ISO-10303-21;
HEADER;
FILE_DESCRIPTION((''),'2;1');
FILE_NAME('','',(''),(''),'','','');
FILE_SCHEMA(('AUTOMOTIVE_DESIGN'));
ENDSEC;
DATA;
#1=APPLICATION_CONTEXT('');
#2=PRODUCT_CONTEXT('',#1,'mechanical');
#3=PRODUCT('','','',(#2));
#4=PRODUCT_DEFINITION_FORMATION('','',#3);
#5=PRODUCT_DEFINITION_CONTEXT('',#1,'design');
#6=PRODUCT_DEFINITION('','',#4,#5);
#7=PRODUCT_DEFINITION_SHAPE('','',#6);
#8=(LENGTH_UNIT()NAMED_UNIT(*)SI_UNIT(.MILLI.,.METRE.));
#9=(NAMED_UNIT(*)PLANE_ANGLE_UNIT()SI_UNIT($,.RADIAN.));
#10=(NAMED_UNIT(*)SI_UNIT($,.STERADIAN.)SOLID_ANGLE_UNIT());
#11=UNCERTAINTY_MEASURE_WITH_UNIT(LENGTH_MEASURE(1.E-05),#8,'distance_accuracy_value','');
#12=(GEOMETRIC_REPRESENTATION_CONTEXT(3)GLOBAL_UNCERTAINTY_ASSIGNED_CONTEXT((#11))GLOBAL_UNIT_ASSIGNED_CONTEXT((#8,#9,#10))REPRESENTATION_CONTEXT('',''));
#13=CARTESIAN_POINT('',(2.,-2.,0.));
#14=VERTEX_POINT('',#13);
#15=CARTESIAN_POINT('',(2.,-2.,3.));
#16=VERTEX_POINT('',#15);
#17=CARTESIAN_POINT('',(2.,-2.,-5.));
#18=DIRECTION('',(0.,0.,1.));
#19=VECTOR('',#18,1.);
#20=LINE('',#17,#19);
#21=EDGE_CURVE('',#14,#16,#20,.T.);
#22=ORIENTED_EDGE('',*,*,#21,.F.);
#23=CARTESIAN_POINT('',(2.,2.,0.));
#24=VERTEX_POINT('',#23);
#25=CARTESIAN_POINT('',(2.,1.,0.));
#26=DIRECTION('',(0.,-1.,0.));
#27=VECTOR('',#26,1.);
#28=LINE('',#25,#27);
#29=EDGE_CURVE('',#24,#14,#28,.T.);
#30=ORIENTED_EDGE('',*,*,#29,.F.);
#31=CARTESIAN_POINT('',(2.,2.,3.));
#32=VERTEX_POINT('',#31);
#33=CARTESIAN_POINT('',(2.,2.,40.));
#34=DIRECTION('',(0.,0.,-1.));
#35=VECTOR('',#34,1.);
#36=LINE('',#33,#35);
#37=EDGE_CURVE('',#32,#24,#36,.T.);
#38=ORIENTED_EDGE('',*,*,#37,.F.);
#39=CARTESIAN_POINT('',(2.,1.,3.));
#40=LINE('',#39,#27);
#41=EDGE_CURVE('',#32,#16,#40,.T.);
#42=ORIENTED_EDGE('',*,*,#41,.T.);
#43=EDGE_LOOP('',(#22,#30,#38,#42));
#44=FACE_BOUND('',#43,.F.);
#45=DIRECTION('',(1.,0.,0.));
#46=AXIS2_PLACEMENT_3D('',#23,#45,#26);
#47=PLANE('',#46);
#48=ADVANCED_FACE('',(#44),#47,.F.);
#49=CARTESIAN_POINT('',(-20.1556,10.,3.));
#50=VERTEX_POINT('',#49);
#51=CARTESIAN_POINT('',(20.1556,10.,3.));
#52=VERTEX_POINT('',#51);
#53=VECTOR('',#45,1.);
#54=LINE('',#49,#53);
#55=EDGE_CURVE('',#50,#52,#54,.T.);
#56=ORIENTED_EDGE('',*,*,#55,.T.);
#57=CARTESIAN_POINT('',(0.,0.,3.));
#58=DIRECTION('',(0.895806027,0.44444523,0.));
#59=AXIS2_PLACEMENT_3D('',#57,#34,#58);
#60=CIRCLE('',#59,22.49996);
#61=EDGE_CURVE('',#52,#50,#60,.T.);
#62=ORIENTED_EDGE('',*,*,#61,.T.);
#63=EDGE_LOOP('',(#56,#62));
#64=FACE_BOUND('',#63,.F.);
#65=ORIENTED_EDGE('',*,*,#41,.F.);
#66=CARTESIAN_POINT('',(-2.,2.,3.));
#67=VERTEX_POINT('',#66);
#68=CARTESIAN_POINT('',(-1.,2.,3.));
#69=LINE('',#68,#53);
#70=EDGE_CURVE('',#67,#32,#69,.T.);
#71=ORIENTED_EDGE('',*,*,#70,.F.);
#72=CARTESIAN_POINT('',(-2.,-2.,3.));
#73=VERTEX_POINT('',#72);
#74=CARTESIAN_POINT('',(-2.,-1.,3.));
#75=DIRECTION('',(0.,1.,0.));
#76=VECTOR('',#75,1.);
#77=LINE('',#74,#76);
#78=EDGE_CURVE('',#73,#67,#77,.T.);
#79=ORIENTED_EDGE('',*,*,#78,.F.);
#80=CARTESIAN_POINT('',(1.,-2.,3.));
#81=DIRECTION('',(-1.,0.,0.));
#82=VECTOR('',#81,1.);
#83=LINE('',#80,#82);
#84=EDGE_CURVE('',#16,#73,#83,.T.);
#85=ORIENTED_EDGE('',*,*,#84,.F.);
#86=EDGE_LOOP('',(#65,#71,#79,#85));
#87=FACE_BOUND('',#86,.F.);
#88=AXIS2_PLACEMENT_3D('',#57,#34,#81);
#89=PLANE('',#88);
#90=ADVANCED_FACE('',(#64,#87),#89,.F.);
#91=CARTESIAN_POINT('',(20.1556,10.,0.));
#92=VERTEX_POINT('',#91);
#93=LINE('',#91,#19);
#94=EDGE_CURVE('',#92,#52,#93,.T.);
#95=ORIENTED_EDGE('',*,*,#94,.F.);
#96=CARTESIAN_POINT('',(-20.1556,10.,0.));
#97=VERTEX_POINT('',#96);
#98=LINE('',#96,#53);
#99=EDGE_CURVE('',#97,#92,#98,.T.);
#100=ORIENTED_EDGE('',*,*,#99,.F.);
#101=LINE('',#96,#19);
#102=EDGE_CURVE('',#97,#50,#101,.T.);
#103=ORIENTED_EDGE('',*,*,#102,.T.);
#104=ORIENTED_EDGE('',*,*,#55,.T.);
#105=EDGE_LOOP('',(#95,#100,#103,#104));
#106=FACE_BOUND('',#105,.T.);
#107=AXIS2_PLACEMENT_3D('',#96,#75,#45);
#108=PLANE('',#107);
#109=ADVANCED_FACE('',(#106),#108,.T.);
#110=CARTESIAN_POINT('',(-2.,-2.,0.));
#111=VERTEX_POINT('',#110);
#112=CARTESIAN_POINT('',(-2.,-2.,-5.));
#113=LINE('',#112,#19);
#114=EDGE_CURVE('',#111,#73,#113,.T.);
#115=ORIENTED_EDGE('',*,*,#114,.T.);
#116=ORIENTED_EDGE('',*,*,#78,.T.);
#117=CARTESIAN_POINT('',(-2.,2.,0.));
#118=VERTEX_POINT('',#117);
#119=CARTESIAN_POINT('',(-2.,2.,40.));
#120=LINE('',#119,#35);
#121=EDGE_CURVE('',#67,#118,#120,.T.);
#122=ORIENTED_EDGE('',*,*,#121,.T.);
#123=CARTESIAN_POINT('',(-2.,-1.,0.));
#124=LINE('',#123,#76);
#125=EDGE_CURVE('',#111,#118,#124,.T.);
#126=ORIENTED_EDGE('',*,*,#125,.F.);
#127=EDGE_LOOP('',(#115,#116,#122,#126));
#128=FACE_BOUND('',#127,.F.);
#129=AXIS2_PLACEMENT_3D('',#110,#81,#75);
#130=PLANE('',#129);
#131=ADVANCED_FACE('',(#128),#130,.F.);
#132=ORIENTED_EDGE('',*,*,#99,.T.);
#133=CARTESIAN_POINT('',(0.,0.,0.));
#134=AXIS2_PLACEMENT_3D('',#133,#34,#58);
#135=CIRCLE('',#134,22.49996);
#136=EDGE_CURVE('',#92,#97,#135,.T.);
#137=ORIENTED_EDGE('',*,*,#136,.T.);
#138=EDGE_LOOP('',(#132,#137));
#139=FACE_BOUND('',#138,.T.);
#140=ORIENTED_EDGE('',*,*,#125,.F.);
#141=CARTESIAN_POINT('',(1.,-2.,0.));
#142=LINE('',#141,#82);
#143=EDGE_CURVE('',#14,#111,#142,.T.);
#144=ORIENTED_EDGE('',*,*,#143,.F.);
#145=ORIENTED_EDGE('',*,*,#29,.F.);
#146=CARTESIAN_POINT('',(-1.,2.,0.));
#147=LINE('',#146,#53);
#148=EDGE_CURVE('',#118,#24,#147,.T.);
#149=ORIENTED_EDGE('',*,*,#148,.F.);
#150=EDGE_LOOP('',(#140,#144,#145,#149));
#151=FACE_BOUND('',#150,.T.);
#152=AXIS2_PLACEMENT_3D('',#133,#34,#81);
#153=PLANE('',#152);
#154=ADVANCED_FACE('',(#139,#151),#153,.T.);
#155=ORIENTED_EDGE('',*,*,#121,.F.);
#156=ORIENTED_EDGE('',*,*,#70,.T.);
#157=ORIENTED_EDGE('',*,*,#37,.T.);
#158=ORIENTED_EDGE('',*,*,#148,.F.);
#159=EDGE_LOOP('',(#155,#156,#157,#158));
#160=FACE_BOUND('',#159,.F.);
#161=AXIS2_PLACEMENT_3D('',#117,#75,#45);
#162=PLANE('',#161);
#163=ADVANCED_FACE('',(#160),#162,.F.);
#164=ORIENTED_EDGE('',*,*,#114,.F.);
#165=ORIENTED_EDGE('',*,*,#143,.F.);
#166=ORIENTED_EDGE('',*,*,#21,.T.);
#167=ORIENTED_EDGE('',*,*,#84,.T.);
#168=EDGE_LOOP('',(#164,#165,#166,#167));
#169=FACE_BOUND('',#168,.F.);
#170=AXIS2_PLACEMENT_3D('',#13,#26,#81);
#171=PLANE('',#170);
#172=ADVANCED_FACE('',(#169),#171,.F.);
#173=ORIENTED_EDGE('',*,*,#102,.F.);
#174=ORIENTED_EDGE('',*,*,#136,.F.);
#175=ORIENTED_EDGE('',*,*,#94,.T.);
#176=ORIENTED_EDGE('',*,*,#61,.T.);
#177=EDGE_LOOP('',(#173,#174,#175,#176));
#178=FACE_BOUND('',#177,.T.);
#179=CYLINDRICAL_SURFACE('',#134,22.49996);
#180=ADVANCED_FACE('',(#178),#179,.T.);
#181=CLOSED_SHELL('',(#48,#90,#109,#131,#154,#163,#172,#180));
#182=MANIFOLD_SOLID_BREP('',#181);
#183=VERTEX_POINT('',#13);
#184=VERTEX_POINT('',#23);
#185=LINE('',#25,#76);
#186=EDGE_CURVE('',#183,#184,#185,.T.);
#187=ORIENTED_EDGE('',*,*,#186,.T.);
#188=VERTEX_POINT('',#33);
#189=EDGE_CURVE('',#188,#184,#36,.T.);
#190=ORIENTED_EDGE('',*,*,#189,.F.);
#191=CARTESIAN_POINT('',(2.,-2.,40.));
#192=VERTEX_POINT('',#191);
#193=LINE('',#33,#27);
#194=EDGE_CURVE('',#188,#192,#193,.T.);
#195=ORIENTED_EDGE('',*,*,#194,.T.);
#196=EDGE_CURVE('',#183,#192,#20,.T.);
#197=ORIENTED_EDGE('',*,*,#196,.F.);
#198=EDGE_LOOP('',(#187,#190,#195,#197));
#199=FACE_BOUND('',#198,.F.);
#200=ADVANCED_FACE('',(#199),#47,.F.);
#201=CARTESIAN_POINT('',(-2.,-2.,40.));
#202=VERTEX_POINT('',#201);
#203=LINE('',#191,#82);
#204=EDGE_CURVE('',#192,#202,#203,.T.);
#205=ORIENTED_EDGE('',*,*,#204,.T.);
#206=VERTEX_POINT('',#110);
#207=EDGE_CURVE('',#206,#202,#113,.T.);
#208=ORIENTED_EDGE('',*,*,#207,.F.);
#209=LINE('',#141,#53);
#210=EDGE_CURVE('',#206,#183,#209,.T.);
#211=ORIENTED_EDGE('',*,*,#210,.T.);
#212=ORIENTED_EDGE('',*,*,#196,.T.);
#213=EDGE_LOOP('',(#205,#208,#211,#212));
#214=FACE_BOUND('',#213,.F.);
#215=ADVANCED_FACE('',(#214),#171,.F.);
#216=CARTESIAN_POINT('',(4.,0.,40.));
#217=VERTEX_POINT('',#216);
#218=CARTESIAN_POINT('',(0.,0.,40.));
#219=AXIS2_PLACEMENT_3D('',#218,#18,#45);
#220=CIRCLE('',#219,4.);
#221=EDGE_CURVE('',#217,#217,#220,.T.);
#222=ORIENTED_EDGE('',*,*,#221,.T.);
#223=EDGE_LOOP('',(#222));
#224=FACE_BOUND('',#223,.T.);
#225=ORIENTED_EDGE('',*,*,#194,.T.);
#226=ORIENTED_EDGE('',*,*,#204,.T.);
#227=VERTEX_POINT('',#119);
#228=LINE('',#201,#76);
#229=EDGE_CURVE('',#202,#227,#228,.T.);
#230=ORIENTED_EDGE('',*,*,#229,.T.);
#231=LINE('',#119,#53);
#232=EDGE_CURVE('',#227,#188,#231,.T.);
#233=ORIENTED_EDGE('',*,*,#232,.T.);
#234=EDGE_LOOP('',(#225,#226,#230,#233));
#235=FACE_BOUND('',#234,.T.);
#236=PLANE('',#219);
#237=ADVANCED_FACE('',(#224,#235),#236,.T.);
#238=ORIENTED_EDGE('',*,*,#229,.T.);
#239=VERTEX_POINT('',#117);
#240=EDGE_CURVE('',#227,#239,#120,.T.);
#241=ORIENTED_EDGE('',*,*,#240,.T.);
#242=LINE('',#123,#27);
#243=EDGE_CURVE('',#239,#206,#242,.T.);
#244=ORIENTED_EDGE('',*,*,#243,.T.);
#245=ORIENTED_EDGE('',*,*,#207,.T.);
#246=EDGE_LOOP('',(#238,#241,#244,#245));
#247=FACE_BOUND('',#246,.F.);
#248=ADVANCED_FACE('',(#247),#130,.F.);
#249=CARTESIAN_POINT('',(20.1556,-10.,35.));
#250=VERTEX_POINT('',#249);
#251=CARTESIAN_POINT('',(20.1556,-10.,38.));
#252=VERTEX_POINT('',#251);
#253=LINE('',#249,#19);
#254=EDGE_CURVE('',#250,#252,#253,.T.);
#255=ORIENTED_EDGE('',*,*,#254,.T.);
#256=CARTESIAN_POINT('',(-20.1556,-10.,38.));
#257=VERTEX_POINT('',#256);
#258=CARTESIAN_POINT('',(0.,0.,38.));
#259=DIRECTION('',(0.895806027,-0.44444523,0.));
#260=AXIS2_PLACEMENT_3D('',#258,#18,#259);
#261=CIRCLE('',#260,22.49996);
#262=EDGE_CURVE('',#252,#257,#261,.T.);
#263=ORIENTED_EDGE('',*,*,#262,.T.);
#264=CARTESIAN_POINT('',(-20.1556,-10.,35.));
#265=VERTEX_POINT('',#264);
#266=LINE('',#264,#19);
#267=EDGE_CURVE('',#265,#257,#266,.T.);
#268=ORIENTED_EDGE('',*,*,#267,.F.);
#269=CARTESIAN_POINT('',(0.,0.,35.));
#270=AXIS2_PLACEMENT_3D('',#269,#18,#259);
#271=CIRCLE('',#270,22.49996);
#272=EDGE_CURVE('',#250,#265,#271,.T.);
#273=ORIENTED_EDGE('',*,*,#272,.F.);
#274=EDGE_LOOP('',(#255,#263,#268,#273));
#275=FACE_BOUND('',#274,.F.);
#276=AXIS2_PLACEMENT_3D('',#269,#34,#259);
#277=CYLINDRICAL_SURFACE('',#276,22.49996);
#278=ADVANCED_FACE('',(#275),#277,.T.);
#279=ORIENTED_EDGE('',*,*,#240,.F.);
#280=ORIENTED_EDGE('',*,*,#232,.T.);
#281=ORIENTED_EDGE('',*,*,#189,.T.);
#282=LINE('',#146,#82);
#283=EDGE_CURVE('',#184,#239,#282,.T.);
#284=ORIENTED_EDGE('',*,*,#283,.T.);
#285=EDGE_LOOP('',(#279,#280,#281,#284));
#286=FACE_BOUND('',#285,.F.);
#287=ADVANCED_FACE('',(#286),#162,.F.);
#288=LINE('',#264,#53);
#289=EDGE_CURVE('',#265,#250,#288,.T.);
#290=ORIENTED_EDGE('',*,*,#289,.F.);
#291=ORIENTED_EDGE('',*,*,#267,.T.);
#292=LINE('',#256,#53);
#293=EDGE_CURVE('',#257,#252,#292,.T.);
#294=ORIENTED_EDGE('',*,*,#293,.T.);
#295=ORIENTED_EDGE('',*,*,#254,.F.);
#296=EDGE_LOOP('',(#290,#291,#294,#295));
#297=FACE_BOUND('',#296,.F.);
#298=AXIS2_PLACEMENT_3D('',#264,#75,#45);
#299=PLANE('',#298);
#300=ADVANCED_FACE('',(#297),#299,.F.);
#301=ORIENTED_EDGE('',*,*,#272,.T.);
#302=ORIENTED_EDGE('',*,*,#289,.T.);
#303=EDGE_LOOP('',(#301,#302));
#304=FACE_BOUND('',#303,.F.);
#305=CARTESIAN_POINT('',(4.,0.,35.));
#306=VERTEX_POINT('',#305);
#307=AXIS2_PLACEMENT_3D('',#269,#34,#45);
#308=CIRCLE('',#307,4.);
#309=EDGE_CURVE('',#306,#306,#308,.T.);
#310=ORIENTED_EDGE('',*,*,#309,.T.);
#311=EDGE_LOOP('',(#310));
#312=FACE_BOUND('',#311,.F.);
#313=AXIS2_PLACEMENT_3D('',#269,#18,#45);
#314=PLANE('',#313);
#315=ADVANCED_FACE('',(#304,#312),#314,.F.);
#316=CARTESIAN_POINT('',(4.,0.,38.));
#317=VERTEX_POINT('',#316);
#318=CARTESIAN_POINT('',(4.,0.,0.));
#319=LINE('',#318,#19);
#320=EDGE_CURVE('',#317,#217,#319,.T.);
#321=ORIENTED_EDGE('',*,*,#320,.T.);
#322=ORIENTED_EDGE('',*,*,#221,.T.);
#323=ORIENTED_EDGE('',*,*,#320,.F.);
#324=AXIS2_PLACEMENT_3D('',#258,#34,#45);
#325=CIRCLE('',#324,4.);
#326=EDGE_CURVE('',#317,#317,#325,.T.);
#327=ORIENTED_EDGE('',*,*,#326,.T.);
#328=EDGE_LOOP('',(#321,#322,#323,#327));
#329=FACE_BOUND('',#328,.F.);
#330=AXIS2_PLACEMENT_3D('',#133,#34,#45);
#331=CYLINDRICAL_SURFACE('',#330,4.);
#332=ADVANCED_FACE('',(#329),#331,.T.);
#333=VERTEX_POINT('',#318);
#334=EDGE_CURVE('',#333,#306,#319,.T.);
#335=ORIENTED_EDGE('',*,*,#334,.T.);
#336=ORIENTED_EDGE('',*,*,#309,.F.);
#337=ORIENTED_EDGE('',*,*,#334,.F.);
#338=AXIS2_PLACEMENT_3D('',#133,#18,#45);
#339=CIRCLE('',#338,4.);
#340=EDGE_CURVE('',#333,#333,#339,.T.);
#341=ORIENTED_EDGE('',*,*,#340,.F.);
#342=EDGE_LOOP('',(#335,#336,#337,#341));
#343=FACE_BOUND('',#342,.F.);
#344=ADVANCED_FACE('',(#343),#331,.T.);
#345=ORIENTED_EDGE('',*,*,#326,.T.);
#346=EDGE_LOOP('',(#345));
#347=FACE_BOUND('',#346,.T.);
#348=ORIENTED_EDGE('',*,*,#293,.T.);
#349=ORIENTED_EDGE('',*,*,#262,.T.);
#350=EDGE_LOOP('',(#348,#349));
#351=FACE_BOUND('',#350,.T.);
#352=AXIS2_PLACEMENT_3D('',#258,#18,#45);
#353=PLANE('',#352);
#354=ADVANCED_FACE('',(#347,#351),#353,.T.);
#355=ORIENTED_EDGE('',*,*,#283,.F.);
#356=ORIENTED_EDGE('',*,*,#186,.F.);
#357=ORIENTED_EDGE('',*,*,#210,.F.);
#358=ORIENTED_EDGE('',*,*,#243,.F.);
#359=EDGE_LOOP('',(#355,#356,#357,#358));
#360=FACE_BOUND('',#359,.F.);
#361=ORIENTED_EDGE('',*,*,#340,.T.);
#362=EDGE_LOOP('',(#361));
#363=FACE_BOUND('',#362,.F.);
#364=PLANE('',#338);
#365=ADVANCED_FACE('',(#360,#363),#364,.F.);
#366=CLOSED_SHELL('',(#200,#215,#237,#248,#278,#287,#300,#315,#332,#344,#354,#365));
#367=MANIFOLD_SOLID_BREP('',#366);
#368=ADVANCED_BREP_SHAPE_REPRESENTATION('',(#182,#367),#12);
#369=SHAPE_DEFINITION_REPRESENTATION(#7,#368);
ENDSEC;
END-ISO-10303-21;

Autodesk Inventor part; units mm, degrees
ref_plane "YZ Plane" through (0, 0, 0) normal (1, 0, 0) x (0, 1, 0)
ref_plane "XZ Plane" through (0, 0, 0) normal (0, 1, 0) x (-1, 0, 0)
sketch "Sketch1" plane through (0, 0, 0) normal (0, 0, 1) x (1, 0, 0)
  circle A0 centre (0, 0) radius 4
extrude "Extrusion1" add sketch "Sketch1" along normal blind 40
ref_plane "Work Plane5" through (0, 0, 35) normal (0, 0, 1) x (1, 0, 0)
sketch "Sketch5" plane through (0, 0, 35) normal (0, 0, 1) x (1, 0, 0)
  arc A0 (20.1556, -10) -> (-20.1556, -10) centre (0, 0) ccw
  line L0 (-20.1556, -10) -> (20.1556, -10)
  dimension "d19" = 45
extrude "Extrusion4" add sketch "Sketch5" along normal blind 3
sketch "Sketch6" plane through (0, 0, 0) normal (0, 0, -1) x (-1, 0, 0)
  arc A0 (-20.1556, 10) -> (20.1556, 10) centre (0, 0) ccw
  line L0 (20.1556, 10) -> (-20.1556, 10)
  dimension "d20" = 45
extrude "Extrusion5" add sketch "Sketch6" against normal blind 3 separate body
sketch "Sketch3" plane through (0, 0, 0) normal (0, 0, -1) x (-1, 0, 0)
  line L0 (2, 2) -> (-2, 2)
  line L1 (-2, 2) -> (-2, -2)
  line L2 (-2, -2) -> (2, -2)
  line L3 (2, -2) -> (2, 2)
  line L4 (2, 2) -> (-2, -2) construction
  line L5 (-2, 2) -> (2, -2) construction
  point P0 (0, 0)
  dimension "d5" = 4
  dimension "d6" = 4
extrude "Extrusion3" cut sketch "Sketch3" against normal blind 40 and the other way blind 5 bodies 1 2
properties part number "DispenserAuger"
